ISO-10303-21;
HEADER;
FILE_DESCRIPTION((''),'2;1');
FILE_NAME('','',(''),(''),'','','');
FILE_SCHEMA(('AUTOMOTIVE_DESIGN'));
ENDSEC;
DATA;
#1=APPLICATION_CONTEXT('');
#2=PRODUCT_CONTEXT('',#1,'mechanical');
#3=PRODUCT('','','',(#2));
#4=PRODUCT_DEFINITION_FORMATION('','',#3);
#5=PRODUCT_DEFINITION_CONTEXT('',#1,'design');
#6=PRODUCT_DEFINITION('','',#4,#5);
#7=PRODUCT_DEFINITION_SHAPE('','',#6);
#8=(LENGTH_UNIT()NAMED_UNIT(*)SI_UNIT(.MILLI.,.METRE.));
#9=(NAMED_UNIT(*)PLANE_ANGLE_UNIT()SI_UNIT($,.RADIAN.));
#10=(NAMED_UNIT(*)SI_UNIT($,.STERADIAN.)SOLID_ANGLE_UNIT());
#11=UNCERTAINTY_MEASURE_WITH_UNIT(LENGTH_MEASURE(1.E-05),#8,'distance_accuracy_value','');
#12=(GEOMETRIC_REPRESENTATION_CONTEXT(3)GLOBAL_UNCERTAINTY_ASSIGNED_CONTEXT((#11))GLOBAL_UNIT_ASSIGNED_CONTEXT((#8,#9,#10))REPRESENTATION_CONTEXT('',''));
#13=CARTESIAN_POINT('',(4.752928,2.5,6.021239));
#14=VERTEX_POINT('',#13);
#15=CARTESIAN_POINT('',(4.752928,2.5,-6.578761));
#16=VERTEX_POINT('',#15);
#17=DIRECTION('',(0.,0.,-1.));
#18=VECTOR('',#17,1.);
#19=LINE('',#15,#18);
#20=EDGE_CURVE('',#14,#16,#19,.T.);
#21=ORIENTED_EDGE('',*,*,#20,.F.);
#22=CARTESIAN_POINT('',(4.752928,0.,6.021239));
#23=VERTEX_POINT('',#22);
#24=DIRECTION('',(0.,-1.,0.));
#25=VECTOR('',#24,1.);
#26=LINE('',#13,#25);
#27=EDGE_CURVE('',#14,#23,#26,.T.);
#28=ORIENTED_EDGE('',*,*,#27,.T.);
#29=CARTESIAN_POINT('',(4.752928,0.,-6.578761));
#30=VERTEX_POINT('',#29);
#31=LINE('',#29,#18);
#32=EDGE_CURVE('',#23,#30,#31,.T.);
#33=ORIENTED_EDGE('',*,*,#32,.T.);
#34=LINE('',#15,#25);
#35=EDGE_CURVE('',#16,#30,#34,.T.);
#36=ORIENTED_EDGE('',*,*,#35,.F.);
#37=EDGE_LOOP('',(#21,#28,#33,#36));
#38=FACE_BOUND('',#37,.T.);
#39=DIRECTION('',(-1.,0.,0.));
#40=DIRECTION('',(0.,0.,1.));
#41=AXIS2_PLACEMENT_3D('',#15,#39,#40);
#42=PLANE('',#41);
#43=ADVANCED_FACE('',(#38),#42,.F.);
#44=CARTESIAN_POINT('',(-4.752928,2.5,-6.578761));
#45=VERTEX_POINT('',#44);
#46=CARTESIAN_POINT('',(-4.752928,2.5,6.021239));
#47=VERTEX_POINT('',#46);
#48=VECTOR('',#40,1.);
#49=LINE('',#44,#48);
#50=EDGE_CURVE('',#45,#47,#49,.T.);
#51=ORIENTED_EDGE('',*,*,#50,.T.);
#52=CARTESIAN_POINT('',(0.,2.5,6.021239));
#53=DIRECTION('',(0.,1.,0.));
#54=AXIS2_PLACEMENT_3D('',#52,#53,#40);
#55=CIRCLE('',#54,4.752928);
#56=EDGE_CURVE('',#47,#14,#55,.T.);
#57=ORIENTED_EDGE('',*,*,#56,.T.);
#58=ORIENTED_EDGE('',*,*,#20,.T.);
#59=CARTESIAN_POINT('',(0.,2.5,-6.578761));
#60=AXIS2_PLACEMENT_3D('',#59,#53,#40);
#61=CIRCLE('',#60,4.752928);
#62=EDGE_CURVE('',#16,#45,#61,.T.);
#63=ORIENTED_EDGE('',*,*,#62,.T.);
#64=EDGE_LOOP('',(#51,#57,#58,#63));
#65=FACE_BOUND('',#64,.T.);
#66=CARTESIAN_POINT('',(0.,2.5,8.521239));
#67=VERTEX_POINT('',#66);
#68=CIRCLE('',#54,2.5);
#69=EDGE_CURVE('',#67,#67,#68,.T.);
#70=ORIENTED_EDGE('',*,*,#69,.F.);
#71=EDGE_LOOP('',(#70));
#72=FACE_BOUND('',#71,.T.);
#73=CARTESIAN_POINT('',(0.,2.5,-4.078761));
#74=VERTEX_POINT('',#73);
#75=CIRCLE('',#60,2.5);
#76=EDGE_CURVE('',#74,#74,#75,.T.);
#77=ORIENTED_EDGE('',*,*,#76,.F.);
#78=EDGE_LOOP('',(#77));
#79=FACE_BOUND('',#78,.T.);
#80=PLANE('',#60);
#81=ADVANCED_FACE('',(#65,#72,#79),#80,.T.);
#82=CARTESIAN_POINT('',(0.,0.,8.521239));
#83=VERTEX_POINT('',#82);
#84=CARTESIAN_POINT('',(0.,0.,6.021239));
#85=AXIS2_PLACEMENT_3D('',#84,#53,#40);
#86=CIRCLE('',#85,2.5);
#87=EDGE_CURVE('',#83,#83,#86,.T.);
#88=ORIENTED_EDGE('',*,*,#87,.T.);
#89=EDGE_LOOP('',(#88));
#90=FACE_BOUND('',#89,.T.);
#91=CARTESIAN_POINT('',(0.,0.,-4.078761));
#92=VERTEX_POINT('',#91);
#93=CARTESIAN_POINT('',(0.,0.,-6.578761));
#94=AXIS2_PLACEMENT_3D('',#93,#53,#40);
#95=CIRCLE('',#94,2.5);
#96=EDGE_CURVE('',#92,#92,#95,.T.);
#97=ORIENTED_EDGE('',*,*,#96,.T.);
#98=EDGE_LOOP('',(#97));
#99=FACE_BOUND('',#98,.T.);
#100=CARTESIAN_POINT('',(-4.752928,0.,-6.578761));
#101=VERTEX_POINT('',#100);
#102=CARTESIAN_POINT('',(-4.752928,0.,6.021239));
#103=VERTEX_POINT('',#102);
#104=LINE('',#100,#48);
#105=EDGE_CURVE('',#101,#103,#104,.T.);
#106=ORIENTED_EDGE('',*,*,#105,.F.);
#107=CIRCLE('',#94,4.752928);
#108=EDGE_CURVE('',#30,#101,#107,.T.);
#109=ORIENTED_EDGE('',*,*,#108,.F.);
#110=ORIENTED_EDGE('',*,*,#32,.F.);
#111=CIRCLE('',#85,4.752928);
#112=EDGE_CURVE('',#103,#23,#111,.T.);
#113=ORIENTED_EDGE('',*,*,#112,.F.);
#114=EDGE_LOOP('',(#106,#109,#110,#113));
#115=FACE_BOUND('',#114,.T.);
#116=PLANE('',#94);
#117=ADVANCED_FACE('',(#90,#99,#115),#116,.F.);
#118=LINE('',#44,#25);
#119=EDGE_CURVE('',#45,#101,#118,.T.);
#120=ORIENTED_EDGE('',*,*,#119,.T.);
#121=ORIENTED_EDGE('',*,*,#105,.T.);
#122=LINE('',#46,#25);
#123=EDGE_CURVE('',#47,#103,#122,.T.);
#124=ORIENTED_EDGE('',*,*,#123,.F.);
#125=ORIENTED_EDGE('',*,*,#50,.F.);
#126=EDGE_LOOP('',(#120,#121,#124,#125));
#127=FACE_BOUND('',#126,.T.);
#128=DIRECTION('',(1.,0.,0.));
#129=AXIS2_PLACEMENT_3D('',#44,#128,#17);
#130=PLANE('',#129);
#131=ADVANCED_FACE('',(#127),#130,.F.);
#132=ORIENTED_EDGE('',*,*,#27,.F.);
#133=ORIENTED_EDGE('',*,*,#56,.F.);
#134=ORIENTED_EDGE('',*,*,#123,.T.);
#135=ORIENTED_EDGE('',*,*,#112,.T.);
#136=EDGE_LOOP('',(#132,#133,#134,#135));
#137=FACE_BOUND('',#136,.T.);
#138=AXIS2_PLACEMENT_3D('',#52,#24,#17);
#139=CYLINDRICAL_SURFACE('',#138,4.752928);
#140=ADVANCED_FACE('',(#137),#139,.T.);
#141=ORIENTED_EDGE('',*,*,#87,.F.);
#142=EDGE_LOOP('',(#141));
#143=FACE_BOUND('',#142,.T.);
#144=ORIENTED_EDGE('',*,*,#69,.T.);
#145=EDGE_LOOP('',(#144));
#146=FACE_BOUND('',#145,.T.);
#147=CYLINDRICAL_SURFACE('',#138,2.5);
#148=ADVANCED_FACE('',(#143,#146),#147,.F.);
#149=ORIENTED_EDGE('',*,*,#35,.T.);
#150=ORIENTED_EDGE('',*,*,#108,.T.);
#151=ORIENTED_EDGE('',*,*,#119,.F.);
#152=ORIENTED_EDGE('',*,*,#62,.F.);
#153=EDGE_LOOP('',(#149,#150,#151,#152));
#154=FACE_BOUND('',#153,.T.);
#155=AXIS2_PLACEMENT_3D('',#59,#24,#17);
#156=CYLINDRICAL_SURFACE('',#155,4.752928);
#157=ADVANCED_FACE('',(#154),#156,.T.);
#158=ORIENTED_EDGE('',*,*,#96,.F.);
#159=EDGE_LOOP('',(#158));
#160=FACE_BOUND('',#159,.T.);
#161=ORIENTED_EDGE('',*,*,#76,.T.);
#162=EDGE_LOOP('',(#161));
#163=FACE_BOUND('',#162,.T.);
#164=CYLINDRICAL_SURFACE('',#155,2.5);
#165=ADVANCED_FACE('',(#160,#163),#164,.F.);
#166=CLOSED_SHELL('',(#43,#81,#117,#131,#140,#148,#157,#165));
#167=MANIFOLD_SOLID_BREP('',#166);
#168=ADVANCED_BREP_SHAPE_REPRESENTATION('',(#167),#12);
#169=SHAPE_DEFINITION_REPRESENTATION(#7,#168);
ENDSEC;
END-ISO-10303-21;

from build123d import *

# Parameters (mm, degrees)
SKETCH1_R           = 2.5
BOSS_EXTRUDE1_DEPTH = 2.5


with BuildPart() as part:
    # Sketch1 → Boss-Extrude1 (new body)
    with BuildSketch(Plane(origin=(0, 0, 0), x_dir=(1, 0, 0), z_dir=(0, 1, 0))):
        with BuildLine():
            Line((4.752927956, 6.578761062), (4.752927956, -6.021238938))
            ThreePointArc((4.752927956, -6.021238938), (0, -10.774166894), (-4.752927956, -6.021238938))
            Line((-4.752927956, -6.021238938), (-4.752927956, 6.578761062))
            ThreePointArc((-4.752927956, 6.578761062), (0, 11.331689018), (4.752927956, 6.578761062))
        make_face()
        with Locations((0, 6.578761062)):
            Circle(SKETCH1_R, mode=Mode.SUBTRACT)
        with Locations((0, -6.021238938)):
            Circle(SKETCH1_R, mode=Mode.SUBTRACT)
    extrude(amount=BOSS_EXTRUDE1_DEPTH)


solid = part.part
